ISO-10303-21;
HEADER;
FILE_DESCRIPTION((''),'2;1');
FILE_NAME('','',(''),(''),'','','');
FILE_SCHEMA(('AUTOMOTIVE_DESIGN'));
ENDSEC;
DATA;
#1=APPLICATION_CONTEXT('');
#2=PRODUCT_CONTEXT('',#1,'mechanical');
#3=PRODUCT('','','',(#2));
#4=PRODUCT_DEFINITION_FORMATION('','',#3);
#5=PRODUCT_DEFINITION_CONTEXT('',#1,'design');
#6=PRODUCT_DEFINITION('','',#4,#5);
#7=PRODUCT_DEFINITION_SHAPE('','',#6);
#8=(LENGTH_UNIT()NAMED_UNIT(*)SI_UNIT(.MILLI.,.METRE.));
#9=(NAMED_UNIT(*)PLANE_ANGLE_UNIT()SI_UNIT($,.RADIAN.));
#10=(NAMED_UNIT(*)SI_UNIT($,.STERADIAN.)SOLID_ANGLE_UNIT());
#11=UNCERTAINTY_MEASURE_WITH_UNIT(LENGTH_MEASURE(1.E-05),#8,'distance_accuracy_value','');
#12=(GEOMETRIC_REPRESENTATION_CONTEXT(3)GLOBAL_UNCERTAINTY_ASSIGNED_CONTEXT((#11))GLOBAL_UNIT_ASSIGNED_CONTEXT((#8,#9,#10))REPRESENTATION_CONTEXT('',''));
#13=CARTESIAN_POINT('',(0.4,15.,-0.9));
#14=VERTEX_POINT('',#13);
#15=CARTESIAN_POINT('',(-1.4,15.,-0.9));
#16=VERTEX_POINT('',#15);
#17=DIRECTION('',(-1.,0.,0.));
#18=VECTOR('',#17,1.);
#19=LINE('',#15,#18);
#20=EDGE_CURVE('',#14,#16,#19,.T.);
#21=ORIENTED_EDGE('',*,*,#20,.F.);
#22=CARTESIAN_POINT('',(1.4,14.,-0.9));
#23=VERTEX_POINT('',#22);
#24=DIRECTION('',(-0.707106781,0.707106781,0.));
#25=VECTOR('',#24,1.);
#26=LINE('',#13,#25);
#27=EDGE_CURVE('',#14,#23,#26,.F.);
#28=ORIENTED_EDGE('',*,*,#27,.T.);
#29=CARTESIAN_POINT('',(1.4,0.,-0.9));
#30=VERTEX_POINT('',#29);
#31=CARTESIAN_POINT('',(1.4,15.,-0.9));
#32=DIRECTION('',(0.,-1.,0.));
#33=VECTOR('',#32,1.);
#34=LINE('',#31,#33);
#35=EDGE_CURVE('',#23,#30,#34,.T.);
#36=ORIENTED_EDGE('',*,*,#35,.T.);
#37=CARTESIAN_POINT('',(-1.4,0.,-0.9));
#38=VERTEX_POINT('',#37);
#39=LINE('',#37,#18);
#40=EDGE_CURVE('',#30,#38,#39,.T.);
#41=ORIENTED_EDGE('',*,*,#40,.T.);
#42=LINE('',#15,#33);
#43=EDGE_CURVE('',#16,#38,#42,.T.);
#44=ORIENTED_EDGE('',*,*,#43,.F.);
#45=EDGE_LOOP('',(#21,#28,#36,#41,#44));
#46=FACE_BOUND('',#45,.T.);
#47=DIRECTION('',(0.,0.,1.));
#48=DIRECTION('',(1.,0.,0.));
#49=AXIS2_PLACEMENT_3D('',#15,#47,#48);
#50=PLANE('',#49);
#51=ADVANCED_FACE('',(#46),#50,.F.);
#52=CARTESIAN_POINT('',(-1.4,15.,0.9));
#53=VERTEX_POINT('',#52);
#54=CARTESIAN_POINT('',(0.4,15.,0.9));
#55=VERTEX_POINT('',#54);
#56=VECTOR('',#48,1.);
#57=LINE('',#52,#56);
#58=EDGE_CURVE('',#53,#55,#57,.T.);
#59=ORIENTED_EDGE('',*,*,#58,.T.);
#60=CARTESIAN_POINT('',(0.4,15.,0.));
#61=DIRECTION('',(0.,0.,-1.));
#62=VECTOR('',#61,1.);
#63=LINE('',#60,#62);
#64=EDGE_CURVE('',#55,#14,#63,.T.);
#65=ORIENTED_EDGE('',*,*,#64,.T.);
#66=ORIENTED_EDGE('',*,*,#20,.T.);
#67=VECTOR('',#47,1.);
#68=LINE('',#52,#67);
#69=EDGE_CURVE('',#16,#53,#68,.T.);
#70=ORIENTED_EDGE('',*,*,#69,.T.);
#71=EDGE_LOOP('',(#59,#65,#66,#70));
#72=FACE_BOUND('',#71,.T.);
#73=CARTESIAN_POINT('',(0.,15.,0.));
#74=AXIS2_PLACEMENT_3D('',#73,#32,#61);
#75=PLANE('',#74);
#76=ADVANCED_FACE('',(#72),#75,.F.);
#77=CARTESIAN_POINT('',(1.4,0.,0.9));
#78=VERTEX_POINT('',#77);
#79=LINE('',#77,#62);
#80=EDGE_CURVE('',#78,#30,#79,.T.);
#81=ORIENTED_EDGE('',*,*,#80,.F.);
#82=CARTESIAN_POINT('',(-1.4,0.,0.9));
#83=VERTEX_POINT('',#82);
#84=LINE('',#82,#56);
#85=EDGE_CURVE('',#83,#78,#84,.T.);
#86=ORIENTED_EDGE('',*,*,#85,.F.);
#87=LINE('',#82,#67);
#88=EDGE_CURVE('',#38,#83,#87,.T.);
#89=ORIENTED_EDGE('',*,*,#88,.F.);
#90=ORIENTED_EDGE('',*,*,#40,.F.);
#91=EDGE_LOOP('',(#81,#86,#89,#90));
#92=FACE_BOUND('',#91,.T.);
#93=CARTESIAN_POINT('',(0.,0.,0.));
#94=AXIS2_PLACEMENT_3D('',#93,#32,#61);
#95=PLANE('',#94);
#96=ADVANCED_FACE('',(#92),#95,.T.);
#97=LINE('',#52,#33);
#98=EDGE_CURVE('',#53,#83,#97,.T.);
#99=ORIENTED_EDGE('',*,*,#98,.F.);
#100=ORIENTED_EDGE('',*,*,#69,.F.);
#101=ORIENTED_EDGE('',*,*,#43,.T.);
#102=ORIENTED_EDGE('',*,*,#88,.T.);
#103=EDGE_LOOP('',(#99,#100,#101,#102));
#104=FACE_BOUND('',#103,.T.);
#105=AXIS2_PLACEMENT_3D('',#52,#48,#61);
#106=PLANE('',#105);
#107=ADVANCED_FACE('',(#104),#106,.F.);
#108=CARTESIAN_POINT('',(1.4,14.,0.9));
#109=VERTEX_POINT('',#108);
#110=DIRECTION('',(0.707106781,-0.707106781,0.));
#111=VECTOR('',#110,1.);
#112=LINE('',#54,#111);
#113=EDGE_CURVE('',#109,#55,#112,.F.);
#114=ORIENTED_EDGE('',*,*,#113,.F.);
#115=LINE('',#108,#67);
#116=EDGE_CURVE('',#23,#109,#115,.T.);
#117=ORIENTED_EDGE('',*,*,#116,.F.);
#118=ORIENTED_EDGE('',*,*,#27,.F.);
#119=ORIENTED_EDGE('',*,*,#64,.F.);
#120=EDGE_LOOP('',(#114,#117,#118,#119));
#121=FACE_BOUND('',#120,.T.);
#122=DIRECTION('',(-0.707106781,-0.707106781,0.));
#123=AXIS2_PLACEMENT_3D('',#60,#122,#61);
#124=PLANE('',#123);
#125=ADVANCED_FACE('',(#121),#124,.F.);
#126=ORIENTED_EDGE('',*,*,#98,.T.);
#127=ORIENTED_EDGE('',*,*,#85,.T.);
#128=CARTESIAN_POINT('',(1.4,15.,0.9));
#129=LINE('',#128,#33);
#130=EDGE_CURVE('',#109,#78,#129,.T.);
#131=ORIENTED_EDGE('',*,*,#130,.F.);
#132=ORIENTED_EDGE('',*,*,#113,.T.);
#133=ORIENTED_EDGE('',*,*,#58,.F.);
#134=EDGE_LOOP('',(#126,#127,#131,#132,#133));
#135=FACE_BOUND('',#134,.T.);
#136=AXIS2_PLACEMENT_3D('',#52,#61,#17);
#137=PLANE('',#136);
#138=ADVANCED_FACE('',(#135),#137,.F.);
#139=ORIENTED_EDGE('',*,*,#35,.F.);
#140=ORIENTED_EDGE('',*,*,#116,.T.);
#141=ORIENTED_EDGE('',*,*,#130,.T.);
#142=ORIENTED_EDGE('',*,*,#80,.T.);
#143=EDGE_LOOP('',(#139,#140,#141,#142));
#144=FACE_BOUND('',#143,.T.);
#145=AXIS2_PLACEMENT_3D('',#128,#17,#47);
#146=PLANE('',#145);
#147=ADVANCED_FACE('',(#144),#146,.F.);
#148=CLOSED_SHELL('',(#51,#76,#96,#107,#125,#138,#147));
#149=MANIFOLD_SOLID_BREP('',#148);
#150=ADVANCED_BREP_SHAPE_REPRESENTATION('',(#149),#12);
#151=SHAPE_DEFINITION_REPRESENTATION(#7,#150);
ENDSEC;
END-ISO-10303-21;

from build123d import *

# Parameters (mm, degrees)
SKETCH2_W           = 2.8
SKETCH2_H           = 1.8
BOSS_EXTRUDE1_DEPTH = 15
CHAMFER1_SIZE       = 1


with BuildPart() as part:
    # Sketch2 → Boss-Extrude1 (new body)
    with BuildSketch(Plane(origin=(0, 0, 0), x_dir=(1, 0, 0), z_dir=(0, 1, 0))):
        Rectangle(SKETCH2_W, SKETCH2_H)
    extrude(amount=BOSS_EXTRUDE1_DEPTH)

    # Chamfer1
    chamfer1_edges = [part.edges().sort_by_distance(p)[0] for p in [
        (1.4, 15, 0),
    ]]
    chamfer(chamfer1_edges, length=CHAMFER1_SIZE)


solid = part.part
